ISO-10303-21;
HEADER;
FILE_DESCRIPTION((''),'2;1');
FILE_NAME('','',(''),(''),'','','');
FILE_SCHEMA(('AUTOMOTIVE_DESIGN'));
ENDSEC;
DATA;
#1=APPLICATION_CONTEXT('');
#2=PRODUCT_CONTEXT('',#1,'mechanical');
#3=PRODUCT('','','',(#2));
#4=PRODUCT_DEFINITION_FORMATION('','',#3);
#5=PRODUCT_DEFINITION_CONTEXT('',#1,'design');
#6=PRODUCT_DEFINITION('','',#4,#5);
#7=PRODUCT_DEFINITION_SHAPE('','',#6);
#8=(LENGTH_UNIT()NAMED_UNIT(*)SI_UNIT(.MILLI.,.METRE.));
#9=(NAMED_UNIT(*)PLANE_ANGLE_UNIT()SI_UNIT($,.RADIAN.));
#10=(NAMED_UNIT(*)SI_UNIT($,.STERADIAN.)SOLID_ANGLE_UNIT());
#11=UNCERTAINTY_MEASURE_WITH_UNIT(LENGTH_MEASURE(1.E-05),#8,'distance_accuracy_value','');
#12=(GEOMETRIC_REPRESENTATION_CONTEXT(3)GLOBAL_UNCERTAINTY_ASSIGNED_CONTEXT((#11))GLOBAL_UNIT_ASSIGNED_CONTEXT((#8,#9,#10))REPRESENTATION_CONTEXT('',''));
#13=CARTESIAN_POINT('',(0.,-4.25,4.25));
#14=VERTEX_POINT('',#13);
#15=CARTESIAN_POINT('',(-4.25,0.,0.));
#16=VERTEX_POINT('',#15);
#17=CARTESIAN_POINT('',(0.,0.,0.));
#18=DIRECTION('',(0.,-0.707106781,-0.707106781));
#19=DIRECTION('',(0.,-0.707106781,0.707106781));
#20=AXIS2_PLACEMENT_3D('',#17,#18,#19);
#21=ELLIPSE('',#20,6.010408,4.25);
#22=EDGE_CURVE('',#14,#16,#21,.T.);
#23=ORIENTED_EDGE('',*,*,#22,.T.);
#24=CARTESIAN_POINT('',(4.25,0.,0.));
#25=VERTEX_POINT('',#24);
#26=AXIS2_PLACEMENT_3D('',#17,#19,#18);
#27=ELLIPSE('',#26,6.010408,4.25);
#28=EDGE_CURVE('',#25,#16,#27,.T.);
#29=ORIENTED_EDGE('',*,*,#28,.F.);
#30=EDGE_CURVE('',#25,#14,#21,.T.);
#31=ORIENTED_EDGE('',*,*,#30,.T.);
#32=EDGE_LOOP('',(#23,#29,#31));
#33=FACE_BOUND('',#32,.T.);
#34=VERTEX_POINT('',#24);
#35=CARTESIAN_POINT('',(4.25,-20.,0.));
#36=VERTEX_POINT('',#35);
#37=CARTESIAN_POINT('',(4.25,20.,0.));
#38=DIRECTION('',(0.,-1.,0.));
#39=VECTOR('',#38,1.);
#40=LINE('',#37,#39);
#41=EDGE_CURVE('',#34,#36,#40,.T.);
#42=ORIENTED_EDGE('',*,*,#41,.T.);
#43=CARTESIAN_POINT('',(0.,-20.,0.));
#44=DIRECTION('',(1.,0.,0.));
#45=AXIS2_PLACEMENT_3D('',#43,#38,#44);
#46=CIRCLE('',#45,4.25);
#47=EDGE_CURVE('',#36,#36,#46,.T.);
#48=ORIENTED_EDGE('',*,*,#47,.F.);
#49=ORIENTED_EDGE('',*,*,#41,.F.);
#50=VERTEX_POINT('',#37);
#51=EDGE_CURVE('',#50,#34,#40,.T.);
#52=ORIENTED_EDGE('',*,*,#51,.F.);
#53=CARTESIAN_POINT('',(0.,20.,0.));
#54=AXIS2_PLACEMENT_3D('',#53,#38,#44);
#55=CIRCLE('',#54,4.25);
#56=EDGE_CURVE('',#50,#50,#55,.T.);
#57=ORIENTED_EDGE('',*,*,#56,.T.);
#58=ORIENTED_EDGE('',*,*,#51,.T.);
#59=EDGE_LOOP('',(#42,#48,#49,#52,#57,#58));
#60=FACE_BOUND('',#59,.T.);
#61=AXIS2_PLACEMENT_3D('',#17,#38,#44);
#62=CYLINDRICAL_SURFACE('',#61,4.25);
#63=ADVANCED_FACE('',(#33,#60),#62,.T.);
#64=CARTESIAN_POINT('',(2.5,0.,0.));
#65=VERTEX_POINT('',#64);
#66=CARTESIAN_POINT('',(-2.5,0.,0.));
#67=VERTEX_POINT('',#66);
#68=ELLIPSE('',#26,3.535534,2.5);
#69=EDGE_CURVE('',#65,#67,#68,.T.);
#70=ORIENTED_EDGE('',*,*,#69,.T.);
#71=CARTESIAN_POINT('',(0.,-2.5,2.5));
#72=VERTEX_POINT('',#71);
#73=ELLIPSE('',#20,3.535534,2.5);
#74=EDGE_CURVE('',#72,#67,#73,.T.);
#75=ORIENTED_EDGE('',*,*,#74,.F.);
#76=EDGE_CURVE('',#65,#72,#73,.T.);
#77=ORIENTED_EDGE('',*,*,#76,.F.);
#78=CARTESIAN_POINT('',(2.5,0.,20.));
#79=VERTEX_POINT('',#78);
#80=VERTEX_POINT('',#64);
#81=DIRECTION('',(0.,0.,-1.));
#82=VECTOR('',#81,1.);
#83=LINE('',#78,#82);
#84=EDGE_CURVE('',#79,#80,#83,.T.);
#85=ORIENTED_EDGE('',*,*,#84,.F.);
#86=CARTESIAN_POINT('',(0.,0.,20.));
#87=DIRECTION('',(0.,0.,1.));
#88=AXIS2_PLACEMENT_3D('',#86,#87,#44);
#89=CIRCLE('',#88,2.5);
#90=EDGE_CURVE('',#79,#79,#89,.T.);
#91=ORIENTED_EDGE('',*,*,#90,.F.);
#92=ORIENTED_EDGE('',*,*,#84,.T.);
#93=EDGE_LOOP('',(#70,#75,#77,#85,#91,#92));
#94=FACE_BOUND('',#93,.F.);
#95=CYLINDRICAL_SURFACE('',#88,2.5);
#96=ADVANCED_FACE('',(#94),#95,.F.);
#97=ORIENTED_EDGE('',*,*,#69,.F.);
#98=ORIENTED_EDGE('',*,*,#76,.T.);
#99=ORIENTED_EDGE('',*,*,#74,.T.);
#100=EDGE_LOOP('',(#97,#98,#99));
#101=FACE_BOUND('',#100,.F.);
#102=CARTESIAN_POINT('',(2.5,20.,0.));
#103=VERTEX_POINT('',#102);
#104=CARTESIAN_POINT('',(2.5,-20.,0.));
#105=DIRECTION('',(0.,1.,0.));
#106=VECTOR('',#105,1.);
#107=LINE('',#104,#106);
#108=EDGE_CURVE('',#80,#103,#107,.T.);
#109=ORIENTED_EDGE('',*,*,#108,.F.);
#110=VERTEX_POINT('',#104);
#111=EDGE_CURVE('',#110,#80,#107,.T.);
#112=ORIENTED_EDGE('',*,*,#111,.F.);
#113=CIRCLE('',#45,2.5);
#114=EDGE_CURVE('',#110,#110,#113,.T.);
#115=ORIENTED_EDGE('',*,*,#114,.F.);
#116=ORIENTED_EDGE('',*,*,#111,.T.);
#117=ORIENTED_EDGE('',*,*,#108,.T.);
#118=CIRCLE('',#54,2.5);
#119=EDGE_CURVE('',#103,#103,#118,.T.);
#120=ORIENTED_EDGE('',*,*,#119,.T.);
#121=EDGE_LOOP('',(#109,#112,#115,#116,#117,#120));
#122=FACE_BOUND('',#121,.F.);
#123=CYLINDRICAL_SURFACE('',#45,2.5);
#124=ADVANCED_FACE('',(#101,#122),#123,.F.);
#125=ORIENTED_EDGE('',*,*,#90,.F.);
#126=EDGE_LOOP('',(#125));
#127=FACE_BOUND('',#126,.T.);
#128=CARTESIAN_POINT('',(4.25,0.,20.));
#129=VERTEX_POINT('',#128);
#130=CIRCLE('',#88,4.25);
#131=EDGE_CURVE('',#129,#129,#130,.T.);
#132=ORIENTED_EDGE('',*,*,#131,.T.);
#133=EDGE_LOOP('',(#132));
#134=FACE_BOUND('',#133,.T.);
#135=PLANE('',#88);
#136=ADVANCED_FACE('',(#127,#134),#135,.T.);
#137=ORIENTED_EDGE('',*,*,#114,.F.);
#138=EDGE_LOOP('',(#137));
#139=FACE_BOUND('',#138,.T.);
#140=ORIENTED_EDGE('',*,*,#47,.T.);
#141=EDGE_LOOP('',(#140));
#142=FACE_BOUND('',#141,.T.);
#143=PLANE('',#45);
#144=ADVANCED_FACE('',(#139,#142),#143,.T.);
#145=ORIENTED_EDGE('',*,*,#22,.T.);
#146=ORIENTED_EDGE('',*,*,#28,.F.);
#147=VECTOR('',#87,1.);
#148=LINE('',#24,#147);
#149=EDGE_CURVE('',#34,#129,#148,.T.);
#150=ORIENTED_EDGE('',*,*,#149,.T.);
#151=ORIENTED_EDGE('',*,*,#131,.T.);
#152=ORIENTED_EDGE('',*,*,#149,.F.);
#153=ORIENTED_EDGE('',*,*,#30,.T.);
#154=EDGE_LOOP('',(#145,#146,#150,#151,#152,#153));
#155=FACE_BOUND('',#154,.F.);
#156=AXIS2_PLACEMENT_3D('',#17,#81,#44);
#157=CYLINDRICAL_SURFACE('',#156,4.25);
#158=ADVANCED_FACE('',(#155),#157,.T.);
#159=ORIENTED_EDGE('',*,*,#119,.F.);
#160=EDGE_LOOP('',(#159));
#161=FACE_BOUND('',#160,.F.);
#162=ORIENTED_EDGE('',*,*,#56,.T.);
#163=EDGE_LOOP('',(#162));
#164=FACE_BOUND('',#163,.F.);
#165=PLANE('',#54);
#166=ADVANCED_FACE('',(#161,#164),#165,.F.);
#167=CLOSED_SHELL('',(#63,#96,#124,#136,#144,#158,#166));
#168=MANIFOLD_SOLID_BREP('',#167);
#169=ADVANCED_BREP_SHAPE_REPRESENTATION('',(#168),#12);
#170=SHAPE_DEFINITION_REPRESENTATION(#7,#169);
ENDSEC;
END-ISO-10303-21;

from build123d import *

# Parameters (mm, degrees)
F1_R     = 4.25
F2_DEPTH = 20
F0_R     = 4.25
F4_DEPTH = 20
F3_R     = 2.5
F5_DEPTH = 40
F6_R     = 2.5
F7_DEPTH = 20


with BuildPart() as f2:
    # F1 (on Front) → F2 (new body, symmetric)
    with BuildSketch(Plane.XZ):
        Circle(F1_R)
    extrude(amount=F2_DEPTH, both=True)

    # F0 (on Top) → F4 (join)
    with BuildSketch(Plane.XY):
        Circle(F0_R)
    extrude(amount=F4_DEPTH)

    # F3 (on face) → F5 (cut)
    with BuildSketch(Plane.XZ.offset(20)):
        Circle(F3_R)
    extrude(amount=-F5_DEPTH, mode=Mode.SUBTRACT)

    # F6 (on face) → F7 (cut)
    with BuildSketch(Plane.XY.offset(20)):
        Circle(F6_R)
    extrude(amount=-F7_DEPTH, mode=Mode.SUBTRACT)


solid = f2.part
